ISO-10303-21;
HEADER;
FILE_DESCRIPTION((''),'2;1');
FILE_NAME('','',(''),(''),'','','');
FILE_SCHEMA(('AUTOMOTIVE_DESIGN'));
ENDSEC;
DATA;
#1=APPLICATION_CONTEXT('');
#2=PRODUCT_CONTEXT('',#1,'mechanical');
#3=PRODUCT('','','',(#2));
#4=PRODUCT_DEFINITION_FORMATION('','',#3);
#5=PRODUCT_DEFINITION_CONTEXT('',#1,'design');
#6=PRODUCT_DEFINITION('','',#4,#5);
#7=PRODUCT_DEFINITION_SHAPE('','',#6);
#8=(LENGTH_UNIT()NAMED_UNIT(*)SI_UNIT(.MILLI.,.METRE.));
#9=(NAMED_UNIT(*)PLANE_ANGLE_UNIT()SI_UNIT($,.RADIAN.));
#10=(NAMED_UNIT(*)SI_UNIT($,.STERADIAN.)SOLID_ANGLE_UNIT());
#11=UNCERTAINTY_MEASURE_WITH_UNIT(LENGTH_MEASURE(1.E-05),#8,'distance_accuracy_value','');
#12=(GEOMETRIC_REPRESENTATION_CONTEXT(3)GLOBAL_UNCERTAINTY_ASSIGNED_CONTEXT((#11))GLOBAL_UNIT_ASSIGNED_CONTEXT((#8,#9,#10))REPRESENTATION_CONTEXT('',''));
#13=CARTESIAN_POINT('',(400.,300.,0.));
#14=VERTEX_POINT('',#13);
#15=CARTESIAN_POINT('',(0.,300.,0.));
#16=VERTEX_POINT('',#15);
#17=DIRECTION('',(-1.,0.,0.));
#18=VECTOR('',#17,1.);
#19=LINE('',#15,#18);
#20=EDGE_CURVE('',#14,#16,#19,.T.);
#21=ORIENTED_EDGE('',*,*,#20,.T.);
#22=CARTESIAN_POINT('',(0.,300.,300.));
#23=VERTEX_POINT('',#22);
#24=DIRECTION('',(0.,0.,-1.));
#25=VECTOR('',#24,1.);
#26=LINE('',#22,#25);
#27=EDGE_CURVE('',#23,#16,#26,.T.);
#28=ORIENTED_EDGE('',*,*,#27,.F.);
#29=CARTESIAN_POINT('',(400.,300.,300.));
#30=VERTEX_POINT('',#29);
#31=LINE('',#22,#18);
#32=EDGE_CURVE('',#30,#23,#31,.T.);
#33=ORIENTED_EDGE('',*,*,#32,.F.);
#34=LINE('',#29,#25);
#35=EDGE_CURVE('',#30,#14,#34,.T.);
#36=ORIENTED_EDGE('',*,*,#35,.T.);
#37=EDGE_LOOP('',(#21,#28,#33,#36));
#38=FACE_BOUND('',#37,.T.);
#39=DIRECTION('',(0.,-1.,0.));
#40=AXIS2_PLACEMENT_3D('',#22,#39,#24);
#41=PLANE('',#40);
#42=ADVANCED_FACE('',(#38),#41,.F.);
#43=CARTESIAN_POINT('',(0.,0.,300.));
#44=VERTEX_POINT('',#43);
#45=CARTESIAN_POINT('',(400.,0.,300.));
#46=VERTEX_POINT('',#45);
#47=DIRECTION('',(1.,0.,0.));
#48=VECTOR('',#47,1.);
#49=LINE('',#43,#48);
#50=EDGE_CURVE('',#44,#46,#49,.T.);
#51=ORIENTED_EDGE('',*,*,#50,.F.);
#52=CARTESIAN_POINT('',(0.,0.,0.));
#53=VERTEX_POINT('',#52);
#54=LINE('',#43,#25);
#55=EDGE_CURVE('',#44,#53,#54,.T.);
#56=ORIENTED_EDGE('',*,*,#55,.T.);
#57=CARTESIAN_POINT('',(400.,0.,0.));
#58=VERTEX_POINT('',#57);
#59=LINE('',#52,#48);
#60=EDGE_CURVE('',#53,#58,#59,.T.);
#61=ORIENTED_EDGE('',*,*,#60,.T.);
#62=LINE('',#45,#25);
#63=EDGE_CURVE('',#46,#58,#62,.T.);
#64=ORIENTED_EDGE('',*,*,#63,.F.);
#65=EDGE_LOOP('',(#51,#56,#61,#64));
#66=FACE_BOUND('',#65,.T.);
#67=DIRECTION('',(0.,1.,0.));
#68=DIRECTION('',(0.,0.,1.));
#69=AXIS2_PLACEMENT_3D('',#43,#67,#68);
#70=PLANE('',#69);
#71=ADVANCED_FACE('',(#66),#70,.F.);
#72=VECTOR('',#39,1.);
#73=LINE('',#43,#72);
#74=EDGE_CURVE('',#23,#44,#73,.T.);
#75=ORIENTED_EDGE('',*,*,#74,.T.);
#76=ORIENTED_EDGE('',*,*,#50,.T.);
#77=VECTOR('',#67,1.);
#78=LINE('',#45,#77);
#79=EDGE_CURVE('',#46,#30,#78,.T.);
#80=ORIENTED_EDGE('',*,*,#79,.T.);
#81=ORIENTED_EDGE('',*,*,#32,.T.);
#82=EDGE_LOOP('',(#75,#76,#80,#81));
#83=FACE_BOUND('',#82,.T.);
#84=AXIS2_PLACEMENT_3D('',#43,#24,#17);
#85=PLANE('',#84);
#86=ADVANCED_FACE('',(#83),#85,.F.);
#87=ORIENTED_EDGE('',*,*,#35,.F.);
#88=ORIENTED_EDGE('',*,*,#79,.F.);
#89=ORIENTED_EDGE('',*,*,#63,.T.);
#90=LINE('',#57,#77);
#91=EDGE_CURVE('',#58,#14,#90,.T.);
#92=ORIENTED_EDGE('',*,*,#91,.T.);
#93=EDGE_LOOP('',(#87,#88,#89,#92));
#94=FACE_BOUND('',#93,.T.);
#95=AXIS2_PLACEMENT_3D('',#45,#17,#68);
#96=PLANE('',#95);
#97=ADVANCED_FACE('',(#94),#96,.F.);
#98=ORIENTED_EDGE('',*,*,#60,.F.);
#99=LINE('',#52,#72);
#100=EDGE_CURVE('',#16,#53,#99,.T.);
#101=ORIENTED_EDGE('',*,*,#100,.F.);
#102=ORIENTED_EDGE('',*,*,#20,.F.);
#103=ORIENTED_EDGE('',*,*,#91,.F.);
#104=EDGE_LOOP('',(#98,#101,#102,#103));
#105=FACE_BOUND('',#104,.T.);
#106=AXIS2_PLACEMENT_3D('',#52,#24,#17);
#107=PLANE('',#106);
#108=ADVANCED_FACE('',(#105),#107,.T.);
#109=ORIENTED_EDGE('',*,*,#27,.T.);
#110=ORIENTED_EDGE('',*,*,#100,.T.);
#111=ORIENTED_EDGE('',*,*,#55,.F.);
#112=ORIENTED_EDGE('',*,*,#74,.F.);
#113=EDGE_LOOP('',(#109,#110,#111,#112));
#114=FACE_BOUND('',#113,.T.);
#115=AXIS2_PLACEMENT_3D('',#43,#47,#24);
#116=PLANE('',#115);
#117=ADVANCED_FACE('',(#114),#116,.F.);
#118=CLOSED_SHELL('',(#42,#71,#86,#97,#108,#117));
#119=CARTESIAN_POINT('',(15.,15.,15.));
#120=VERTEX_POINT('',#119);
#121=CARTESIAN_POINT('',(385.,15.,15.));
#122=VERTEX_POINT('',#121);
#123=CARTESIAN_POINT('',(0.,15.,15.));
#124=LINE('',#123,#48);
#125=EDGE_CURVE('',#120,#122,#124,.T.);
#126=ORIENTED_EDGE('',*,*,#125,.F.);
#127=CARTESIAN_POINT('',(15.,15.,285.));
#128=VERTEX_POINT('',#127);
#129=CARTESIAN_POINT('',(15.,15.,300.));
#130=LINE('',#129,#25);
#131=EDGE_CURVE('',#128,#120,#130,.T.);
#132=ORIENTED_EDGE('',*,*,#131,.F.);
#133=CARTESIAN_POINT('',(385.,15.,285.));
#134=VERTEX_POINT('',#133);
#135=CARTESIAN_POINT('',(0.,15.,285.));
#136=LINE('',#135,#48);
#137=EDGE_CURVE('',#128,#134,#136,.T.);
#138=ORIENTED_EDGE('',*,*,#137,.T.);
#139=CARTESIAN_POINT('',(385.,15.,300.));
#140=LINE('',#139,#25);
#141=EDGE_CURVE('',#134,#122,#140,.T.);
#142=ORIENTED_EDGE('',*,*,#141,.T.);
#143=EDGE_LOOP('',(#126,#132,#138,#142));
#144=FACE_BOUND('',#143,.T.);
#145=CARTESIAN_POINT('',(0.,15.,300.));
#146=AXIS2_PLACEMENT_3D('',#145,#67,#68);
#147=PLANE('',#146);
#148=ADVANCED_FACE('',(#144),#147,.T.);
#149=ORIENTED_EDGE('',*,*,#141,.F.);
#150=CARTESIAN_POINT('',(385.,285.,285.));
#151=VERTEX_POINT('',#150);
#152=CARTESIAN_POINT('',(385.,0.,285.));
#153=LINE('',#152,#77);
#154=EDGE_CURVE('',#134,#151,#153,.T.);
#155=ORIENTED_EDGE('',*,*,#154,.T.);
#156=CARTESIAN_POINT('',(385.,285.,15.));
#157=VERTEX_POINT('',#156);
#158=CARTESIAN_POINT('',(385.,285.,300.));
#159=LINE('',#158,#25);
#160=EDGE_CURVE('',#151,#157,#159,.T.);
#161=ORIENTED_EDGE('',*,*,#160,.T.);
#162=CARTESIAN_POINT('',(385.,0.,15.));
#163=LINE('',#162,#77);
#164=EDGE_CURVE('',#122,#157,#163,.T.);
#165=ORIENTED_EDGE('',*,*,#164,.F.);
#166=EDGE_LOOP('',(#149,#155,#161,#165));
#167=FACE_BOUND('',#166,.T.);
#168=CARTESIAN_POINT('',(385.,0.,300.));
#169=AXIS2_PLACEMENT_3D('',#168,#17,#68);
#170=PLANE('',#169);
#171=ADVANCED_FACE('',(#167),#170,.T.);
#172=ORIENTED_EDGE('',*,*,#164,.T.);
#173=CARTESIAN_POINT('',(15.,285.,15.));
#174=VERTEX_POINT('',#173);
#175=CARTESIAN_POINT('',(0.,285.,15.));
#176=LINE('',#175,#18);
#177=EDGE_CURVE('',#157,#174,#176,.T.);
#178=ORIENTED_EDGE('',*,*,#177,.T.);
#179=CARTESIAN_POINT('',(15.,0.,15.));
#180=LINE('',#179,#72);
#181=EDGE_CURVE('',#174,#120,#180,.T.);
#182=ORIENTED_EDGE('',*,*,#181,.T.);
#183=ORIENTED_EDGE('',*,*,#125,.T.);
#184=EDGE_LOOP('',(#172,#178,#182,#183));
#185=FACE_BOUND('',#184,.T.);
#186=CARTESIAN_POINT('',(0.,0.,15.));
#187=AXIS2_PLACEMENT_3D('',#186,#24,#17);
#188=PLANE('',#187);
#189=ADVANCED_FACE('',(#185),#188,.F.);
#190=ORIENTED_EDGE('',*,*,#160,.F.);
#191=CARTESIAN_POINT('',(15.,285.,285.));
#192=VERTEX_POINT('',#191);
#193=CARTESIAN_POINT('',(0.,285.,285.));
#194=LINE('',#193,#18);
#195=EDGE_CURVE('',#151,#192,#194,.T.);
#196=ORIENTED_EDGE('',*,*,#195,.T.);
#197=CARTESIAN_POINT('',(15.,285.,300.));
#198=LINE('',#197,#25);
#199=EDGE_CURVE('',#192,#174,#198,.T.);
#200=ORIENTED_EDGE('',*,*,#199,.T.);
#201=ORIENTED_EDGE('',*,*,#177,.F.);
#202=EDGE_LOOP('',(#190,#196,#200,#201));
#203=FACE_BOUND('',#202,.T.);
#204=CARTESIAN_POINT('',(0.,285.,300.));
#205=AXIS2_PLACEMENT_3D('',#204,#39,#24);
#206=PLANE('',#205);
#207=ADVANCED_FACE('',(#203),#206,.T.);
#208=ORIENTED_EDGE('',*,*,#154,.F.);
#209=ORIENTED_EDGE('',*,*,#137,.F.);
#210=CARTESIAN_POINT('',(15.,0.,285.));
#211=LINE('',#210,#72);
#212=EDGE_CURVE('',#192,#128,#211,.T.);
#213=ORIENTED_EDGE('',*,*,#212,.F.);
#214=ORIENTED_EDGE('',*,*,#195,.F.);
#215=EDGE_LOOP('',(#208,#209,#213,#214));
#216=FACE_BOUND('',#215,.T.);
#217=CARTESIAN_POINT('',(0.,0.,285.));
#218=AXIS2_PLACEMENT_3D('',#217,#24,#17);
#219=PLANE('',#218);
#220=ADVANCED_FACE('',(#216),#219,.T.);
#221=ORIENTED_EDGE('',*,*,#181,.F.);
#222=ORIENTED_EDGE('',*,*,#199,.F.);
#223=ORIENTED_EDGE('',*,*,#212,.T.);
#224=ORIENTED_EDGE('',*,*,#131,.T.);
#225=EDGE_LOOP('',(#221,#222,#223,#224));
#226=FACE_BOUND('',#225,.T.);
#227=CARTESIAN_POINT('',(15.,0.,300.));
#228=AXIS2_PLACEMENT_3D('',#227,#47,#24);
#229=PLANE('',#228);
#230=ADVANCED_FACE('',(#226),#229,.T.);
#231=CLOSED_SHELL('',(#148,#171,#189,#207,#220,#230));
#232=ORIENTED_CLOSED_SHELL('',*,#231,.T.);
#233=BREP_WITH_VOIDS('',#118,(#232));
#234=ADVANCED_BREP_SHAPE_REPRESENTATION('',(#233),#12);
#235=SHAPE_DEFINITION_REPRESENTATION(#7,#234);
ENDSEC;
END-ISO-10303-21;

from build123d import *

# Parameters (mm, degrees)
SKETCH1_W           = 400
SKETCH1_H           = 300
BOSS_EXTRUDE1_DEPTH = 300
SHELL1_T            = 15


with BuildPart() as part:
    # Sketch1 → Boss-Extrude1 (new body)
    with BuildSketch(Plane.XY):
        with Locations((200, 150)):
            Rectangle(SKETCH1_W, SKETCH1_H)
    extrude(amount=BOSS_EXTRUDE1_DEPTH)

    # Shell1 (no face opened: a closed hollow body)
    add(offset(amount=-SHELL1_T, mode=Mode.PRIVATE), mode=Mode.SUBTRACT)


solid = part.part
